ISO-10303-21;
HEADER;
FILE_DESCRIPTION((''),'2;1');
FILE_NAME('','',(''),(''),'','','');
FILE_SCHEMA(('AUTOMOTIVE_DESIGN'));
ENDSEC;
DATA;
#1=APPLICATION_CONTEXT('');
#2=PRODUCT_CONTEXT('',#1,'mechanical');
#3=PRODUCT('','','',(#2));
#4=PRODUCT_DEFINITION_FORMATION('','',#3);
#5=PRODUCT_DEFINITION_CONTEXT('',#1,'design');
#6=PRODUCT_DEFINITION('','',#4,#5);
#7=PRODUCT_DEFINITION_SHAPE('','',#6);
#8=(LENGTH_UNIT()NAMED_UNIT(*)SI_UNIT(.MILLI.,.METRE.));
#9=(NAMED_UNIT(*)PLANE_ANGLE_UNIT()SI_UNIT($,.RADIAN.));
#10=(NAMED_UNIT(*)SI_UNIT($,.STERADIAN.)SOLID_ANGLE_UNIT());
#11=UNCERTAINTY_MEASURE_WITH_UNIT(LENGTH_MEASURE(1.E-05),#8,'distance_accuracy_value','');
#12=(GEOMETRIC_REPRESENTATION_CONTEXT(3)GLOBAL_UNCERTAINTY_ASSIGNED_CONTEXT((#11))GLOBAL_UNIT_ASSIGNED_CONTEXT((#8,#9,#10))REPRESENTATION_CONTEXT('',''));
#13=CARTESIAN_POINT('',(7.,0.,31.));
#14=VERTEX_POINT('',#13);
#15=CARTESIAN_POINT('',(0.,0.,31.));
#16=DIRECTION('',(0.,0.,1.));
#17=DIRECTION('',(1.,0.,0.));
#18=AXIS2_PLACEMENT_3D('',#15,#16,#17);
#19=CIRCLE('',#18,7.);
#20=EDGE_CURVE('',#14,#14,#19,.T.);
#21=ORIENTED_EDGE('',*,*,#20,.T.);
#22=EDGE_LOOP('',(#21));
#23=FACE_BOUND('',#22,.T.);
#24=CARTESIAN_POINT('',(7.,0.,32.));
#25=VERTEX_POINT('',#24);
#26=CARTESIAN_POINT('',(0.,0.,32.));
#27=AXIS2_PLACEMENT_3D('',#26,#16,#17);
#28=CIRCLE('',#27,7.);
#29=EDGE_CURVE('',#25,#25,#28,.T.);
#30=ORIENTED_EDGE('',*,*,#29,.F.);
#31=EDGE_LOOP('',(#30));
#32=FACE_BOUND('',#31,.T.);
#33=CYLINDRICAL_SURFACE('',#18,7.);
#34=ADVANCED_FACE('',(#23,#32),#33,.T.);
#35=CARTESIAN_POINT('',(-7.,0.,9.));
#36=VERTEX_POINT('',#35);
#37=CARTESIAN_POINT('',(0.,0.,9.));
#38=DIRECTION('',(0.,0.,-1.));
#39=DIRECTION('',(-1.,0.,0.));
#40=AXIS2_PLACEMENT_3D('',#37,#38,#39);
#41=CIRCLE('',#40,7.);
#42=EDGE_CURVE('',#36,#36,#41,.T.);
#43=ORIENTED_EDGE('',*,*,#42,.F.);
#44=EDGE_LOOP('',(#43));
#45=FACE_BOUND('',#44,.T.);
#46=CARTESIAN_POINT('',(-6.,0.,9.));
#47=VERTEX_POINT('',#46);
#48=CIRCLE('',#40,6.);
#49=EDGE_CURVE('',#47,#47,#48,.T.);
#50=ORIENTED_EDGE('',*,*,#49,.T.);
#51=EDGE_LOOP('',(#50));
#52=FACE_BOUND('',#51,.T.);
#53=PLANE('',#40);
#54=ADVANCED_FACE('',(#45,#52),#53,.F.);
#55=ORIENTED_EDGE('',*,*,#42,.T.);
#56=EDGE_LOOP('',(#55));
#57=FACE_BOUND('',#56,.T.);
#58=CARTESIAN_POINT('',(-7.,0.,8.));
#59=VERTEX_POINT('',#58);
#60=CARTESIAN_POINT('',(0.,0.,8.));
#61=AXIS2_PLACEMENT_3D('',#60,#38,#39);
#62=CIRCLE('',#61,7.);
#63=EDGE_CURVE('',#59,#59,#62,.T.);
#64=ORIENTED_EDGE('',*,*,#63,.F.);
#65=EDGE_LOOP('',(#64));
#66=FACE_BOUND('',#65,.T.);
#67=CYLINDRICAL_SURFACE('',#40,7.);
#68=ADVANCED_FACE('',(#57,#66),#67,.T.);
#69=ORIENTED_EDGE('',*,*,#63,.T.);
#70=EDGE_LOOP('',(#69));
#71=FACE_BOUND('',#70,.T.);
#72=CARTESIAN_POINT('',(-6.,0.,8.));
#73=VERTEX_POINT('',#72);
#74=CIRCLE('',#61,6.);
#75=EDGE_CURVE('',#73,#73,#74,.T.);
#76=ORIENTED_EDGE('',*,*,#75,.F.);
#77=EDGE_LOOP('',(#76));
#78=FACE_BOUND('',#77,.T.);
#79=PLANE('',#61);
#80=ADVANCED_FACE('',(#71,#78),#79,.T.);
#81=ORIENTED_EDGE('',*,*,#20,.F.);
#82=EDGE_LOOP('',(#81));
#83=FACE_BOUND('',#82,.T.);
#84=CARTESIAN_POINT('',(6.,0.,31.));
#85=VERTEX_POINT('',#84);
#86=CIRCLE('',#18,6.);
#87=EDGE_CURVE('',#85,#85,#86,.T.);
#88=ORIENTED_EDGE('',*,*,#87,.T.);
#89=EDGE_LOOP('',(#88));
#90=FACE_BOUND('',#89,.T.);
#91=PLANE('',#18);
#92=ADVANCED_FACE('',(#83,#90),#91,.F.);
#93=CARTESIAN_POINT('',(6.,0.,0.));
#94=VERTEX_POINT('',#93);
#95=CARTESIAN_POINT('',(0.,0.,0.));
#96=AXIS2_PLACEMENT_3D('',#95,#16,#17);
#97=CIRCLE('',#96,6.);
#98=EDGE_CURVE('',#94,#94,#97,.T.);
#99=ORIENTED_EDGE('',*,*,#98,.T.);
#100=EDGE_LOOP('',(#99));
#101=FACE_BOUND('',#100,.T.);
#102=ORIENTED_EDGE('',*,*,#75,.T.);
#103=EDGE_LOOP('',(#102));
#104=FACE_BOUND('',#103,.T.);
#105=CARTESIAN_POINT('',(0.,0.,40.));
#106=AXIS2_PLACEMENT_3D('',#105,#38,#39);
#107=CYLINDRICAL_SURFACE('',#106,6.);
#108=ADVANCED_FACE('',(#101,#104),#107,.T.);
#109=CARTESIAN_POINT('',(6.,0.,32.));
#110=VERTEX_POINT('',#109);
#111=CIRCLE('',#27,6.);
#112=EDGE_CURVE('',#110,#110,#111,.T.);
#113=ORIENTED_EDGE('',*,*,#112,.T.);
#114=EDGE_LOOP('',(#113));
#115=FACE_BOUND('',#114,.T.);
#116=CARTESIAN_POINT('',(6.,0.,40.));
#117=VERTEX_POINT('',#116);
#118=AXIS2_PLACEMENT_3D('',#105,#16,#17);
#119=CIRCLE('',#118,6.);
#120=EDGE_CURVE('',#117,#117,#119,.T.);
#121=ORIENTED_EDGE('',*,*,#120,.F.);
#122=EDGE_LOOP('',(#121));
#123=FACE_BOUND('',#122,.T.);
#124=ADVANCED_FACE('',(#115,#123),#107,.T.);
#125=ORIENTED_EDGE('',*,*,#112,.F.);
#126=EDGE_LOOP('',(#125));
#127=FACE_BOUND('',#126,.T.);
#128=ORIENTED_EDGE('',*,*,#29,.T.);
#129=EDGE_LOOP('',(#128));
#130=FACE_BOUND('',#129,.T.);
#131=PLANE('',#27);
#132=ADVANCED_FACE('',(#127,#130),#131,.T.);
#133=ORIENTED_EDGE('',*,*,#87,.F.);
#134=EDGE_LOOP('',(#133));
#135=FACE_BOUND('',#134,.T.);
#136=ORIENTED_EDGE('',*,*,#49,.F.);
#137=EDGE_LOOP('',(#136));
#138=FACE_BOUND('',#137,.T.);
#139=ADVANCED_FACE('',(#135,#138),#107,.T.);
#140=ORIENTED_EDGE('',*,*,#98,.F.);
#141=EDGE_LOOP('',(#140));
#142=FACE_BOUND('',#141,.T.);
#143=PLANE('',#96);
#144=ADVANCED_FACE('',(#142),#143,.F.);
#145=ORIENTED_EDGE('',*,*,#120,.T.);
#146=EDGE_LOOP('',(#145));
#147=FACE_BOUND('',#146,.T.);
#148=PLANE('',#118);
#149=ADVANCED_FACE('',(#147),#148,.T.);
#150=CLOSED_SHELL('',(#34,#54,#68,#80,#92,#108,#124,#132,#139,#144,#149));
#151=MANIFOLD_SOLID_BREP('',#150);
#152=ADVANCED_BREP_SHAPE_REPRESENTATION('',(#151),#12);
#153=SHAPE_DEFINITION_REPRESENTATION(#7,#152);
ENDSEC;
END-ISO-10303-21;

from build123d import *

# Parameters (mm, degrees)
ESQUISSE1_R        = 6
BOSS_EXTRU_1_DEPTH = 40
ESQUISSE2_R        = 7
ESQUISSE2_R_2      = 6
BOSS_EXTRU_2_DEPTH = 1
BOSS_EXTRU_3_START = -1
ESQUISSE3_R        = 7
ESQUISSE3_R_2      = 6
BOSS_EXTRU_3_DEPTH = 1


with BuildPart() as part:
    # Esquisse1 → Boss.-Extru.1 (new body)
    with BuildSketch(Plane.XY):
        Circle(ESQUISSE1_R)
    extrude(amount=BOSS_EXTRU_1_DEPTH)

    # Esquisse2 → Boss.-Extru.2 (add)
    with BuildSketch(Plane(origin=(0, 0, 8), x_dir=(-1, 0, 0), z_dir=(0, 0, -1))):
        Circle(ESQUISSE2_R)
        Circle(ESQUISSE2_R_2, mode=Mode.SUBTRACT)
    extrude(amount=-BOSS_EXTRU_2_DEPTH)

    # Esquisse3 → Boss.-Extru.3 (add)
    with BuildSketch(Plane.XY.offset(32).offset(BOSS_EXTRU_3_START)):
        with Locations(Location((0, 0, 0), (0, 0, 180))):
            Circle(ESQUISSE3_R)
        with Locations(Location((0, 0, 0), (0, 0, 180))):
            Circle(ESQUISSE3_R_2, mode=Mode.SUBTRACT)
    extrude(amount=BOSS_EXTRU_3_DEPTH)


solid = part.part
